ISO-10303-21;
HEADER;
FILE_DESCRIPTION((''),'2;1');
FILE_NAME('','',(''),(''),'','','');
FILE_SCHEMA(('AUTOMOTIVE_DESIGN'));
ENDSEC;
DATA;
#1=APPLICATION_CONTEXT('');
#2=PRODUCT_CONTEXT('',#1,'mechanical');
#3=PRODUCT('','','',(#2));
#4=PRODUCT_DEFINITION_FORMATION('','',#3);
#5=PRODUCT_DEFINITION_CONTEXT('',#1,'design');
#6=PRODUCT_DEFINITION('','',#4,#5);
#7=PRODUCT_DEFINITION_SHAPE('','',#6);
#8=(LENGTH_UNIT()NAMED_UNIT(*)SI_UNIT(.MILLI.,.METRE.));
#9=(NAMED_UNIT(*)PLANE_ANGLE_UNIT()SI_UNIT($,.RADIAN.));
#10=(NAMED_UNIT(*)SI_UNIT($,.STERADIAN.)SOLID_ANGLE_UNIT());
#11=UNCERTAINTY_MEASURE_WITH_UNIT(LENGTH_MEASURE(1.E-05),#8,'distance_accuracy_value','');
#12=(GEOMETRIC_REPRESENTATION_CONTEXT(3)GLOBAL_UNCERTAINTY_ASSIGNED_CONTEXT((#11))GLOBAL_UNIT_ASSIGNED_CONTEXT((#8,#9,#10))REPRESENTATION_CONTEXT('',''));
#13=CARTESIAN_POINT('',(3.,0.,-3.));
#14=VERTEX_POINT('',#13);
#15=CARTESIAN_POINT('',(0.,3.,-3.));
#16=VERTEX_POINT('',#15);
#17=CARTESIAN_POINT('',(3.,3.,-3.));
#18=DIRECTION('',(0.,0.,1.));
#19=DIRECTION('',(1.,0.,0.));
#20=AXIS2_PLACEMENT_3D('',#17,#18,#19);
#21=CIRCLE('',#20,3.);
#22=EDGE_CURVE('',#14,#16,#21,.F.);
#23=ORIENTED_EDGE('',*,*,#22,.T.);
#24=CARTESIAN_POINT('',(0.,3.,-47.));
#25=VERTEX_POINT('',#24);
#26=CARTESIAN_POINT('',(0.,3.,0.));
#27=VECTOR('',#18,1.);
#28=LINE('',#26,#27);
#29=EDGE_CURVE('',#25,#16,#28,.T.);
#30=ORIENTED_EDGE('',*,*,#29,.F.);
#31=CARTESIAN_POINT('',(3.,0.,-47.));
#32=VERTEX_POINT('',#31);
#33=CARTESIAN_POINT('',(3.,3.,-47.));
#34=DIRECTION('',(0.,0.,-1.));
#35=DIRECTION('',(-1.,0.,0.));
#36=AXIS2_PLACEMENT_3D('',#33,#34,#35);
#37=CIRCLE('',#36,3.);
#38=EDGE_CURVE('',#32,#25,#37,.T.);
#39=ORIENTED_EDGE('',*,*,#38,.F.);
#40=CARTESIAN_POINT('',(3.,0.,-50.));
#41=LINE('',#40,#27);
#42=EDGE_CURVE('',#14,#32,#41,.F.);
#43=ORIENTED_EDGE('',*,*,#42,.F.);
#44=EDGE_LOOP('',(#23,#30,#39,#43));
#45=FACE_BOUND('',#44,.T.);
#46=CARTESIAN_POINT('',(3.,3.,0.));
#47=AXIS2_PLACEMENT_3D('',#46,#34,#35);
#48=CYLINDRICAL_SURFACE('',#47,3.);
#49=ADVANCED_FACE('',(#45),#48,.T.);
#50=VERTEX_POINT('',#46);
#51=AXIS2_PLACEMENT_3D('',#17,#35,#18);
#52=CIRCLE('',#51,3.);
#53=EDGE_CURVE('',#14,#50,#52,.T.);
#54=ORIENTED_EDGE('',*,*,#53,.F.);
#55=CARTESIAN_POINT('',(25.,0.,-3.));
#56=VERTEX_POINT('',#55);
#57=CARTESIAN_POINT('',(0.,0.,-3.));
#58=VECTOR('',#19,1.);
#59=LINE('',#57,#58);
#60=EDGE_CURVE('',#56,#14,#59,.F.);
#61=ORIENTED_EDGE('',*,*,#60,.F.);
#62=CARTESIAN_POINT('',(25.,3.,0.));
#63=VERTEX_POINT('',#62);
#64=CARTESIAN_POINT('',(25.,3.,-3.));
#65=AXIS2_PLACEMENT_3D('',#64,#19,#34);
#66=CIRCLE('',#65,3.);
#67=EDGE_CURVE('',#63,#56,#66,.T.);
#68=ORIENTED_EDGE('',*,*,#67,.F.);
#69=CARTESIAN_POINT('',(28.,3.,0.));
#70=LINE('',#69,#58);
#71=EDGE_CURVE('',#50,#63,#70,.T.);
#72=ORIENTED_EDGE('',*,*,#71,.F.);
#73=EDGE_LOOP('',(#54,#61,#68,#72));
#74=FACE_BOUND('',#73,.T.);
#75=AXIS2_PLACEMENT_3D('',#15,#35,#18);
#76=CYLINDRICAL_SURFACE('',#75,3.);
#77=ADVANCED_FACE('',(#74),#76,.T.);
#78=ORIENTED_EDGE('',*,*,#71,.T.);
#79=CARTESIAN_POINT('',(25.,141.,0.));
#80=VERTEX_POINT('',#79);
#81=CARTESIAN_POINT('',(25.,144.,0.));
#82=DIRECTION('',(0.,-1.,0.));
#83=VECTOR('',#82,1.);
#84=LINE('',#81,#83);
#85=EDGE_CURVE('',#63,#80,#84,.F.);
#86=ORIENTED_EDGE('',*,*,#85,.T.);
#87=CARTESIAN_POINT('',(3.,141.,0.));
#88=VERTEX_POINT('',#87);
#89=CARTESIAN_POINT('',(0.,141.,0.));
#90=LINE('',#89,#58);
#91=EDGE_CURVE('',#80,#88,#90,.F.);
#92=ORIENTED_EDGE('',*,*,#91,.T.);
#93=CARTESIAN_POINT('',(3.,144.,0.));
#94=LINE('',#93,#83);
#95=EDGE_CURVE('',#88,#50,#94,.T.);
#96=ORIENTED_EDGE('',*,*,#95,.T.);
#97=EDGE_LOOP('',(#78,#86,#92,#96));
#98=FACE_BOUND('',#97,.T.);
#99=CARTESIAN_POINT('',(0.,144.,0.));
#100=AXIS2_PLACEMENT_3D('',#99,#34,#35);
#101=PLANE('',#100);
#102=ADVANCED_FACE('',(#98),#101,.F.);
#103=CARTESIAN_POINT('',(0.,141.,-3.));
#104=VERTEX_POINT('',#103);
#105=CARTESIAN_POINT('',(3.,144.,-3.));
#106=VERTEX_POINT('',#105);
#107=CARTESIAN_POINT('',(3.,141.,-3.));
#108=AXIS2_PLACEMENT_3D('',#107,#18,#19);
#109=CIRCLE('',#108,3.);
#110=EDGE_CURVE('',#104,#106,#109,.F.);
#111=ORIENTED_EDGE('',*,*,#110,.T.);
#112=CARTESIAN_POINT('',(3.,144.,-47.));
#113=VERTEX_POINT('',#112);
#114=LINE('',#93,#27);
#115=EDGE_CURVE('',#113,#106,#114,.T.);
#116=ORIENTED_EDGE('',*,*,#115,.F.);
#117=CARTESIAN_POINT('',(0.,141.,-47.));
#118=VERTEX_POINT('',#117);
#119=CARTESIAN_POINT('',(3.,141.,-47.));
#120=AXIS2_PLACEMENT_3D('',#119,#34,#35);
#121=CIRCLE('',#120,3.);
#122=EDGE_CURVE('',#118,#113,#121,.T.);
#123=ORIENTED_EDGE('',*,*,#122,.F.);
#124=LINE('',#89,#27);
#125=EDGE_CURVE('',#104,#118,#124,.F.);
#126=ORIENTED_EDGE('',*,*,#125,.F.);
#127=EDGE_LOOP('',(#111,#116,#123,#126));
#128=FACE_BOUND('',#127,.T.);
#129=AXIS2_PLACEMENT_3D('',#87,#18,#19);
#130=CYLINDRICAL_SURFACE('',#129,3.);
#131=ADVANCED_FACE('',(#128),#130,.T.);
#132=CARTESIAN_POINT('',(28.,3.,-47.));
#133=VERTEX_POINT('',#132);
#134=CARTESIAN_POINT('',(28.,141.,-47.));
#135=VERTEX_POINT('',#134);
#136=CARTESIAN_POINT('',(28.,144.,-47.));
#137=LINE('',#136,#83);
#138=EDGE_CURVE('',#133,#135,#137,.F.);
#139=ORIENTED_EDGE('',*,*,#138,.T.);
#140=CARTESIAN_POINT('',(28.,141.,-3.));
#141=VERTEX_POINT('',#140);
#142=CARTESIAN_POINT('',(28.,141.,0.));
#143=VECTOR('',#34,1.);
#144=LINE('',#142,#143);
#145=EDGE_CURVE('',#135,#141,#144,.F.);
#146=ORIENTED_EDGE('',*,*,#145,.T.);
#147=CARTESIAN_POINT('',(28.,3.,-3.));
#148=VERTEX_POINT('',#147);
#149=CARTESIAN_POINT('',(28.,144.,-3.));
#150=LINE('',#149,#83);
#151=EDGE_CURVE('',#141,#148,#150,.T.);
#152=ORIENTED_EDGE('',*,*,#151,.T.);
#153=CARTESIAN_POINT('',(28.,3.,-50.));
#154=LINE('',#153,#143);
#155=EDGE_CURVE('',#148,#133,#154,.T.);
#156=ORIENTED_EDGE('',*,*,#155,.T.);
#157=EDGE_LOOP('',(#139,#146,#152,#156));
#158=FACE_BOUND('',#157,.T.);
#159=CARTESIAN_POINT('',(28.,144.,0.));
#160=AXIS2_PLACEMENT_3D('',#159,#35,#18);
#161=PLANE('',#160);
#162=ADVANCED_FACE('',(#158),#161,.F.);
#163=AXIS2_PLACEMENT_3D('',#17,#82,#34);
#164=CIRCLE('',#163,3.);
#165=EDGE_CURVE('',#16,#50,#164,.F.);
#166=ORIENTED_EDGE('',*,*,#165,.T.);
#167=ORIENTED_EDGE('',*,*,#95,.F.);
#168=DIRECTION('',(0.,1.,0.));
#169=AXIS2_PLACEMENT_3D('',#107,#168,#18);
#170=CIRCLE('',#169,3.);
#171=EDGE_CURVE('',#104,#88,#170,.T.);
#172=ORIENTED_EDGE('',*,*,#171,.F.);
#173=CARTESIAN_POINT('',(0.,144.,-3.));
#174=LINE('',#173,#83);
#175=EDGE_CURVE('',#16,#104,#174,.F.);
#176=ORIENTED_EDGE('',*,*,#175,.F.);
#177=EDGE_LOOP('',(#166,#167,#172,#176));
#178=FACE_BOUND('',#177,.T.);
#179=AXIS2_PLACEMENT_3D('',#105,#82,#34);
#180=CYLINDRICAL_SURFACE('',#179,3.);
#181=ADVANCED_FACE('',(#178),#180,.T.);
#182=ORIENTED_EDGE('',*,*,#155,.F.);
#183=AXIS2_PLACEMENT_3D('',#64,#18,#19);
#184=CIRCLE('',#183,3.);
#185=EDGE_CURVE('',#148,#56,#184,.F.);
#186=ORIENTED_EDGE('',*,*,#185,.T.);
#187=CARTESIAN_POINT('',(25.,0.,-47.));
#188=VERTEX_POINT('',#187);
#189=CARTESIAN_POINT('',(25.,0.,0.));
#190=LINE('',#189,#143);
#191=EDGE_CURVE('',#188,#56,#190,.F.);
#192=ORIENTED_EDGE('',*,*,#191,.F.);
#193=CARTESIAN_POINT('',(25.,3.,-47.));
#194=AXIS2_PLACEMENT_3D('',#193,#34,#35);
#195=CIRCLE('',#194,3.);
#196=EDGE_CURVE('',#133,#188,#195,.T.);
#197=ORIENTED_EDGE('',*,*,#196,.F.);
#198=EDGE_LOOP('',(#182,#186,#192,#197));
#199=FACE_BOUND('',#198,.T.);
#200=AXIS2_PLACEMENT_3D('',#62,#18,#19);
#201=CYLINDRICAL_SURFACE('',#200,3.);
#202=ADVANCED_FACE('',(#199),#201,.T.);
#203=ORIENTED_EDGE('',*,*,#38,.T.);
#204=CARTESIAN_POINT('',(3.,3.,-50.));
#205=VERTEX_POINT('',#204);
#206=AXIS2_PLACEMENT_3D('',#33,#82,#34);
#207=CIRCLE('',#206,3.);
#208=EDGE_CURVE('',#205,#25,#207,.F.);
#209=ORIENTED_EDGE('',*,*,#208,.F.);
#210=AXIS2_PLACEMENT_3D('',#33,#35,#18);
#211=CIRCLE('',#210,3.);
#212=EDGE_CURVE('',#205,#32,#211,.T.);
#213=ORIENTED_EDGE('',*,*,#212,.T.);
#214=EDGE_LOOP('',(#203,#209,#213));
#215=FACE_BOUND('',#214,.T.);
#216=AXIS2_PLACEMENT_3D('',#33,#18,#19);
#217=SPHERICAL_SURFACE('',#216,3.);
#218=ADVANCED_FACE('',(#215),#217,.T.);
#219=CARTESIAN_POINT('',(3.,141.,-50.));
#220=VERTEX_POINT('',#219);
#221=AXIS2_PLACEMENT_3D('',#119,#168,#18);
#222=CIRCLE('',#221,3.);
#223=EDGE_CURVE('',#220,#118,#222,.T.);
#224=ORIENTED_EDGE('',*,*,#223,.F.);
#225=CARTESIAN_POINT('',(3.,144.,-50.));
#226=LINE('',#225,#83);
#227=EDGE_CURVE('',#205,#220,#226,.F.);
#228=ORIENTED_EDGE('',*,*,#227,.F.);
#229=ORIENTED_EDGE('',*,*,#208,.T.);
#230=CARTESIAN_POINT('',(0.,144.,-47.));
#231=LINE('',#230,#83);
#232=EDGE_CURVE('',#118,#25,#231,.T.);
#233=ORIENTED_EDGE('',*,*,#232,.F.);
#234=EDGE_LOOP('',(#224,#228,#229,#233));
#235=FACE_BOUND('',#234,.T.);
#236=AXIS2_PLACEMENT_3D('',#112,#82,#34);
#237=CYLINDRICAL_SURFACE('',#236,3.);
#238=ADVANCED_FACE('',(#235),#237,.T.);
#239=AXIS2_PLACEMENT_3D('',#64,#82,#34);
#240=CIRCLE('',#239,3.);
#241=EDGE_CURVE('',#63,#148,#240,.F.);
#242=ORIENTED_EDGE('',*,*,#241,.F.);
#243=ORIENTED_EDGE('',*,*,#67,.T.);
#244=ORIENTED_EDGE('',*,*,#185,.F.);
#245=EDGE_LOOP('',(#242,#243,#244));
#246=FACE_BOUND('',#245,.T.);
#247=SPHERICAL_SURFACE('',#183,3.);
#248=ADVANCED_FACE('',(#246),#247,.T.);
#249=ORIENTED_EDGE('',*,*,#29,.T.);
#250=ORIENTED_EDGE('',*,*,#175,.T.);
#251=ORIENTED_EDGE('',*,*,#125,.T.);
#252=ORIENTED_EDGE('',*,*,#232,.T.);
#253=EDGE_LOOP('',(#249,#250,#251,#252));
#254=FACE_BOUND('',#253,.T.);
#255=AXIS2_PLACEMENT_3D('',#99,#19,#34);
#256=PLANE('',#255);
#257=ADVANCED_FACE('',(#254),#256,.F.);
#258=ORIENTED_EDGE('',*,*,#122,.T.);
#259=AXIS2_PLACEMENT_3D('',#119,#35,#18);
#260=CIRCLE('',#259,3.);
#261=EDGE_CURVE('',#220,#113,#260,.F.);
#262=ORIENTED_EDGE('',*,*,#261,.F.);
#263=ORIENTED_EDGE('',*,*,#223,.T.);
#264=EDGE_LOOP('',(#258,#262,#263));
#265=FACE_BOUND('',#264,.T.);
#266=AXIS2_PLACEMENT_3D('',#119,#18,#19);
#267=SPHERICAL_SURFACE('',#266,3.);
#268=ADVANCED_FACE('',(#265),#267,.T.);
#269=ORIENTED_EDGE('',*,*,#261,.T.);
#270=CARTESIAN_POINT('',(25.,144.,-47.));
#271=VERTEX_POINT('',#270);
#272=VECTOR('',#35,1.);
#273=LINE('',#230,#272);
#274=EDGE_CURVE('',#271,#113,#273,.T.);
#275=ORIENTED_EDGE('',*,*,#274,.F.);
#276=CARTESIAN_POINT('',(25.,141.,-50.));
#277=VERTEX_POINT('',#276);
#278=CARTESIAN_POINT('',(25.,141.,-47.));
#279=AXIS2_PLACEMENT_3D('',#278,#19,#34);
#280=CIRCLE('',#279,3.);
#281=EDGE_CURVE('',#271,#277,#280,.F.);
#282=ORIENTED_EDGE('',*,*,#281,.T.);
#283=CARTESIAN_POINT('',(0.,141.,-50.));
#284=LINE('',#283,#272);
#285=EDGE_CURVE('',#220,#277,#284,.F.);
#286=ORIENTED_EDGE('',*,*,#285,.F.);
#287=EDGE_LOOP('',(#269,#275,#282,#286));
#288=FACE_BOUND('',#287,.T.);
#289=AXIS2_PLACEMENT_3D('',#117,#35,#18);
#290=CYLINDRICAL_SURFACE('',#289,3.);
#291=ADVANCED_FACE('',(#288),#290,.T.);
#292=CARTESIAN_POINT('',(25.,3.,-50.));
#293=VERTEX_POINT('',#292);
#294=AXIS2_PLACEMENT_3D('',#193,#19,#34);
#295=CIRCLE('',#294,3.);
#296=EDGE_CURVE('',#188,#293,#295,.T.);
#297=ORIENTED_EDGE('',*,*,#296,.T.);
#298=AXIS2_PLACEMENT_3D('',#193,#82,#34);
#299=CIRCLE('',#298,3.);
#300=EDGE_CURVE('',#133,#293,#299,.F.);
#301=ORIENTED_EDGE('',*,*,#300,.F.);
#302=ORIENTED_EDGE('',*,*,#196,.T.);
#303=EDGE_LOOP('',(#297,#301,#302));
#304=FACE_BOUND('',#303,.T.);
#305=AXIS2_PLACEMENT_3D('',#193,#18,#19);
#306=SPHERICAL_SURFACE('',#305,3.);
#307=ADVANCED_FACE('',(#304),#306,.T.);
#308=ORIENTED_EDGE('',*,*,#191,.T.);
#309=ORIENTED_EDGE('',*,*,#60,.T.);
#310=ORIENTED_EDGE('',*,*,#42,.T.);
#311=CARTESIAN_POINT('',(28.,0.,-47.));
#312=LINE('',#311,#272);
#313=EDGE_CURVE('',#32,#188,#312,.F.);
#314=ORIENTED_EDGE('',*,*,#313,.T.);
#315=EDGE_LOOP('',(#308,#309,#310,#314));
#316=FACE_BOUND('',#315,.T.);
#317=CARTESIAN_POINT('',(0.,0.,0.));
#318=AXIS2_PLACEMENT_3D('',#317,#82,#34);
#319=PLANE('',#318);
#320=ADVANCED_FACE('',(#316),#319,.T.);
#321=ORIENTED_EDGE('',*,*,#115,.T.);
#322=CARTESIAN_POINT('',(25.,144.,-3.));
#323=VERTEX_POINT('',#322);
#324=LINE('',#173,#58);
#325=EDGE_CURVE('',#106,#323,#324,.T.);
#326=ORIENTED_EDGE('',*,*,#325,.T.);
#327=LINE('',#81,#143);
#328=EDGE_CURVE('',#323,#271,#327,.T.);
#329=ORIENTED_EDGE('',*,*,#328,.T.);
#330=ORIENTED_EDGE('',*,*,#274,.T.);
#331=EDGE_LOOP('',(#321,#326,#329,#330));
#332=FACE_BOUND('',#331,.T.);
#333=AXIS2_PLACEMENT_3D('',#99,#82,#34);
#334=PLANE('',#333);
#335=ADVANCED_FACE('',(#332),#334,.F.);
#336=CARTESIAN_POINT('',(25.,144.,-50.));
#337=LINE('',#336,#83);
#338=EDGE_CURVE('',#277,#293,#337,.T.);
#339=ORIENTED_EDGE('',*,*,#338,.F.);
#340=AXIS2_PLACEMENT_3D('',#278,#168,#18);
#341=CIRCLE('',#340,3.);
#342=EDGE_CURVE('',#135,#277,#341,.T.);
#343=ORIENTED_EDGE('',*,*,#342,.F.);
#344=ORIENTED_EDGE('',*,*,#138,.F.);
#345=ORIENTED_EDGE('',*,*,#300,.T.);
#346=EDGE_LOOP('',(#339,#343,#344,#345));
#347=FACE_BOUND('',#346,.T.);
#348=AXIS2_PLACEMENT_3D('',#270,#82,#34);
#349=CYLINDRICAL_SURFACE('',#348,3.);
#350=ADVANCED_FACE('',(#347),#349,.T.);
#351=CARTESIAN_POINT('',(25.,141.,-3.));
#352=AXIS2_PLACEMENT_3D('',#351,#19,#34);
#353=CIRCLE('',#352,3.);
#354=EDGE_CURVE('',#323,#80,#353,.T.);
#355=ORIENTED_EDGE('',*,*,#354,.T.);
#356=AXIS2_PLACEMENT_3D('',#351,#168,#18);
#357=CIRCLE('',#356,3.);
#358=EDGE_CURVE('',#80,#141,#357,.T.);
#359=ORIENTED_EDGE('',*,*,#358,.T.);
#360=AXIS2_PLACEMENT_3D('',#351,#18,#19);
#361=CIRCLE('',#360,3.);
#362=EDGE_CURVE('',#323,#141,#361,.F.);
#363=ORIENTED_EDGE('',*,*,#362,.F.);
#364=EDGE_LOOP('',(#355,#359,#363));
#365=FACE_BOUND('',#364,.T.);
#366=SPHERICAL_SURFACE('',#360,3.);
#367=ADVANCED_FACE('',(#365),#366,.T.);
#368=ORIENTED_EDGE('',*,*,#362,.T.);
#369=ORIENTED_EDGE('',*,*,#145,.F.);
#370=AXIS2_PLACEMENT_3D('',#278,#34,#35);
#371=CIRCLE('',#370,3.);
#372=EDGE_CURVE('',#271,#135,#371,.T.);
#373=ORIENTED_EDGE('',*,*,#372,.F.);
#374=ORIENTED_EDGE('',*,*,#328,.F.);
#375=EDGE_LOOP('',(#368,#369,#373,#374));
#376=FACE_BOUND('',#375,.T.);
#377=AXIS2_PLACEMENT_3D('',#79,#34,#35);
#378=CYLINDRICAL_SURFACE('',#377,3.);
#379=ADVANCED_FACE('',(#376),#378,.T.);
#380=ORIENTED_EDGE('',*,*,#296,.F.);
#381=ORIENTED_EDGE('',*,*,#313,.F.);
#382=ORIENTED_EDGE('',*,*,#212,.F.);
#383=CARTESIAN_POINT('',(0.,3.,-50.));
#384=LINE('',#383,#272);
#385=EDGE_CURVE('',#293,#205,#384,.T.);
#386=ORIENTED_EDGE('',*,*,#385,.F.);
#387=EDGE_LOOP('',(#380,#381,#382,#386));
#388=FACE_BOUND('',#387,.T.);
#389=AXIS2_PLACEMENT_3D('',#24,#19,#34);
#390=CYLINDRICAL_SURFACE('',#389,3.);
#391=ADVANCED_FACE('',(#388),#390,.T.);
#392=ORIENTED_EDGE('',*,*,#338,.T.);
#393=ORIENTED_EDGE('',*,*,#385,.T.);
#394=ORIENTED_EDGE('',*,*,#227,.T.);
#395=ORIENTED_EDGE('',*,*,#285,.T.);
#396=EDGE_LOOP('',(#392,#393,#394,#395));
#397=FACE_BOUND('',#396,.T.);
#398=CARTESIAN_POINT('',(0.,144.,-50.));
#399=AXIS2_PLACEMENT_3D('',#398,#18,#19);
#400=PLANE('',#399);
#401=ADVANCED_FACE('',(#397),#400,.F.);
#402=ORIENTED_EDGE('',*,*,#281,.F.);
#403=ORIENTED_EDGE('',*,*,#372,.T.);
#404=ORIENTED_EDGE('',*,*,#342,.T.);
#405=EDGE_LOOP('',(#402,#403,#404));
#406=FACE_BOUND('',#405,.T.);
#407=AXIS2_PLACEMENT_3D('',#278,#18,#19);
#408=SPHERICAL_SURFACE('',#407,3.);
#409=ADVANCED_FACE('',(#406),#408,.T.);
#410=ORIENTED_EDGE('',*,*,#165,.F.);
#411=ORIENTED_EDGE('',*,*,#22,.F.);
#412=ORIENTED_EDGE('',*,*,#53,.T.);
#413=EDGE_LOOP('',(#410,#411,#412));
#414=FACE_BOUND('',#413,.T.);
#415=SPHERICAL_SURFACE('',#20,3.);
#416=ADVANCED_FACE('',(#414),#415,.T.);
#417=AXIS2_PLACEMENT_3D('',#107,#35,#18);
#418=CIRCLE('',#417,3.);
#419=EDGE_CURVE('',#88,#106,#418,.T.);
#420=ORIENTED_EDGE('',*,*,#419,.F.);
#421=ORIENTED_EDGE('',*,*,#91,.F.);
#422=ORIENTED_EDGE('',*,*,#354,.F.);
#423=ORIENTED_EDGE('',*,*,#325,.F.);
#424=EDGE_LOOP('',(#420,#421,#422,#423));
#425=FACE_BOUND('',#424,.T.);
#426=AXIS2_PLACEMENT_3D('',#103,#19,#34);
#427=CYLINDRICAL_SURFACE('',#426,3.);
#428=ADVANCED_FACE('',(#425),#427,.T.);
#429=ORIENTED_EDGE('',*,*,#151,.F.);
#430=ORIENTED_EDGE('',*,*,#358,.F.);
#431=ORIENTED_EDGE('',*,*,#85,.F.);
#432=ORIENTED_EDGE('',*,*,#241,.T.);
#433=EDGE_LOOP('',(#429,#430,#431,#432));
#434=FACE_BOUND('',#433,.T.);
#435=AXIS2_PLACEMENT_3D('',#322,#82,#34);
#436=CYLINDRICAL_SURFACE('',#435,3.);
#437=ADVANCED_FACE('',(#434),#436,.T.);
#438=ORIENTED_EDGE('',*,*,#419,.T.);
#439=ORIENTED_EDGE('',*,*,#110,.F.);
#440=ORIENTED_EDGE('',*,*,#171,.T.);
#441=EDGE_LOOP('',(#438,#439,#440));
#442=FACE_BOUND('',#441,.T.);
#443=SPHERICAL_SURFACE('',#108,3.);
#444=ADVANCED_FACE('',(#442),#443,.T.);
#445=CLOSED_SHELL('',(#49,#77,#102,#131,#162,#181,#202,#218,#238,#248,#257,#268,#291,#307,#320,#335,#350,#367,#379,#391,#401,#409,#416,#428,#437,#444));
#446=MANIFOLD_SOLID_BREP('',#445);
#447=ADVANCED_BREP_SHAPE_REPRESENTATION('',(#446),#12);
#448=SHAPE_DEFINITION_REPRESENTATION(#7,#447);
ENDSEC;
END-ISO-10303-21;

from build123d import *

# Parameters (mm, degrees)
SKETCH1_W           = 28
SKETCH1_H           = 50
BOSS_EXTRUDE1_DEPTH = 144
FILLET1_R           = 3


with BuildPart() as part:
    # Sketch1 → Boss-Extrude1 (new body)
    with BuildSketch(Plane(origin=(0, 0, 0), x_dir=(1, 0, 0), z_dir=(0, 1, 0))):
        with Locations((14, 25)):
            Rectangle(SKETCH1_W, SKETCH1_H)
    extrude(amount=BOSS_EXTRUDE1_DEPTH)

    # Fillet1
    fillet1_edges = [part.edges().sort_by_distance(p)[0] for p in [
        (28, 144, -25),
        (14, 144, -50),
        (0, 144, -25),
        (14, 0, -50),
        (28, 0, -25),
        (14, 0, 0),
        (0, 0, -25),
        (14, 144, 0),
        (0, 72, -50),
        (28, 72, -50),
        (28, 72, 0),
        (0, 72, 0),
    ]]
    fillet(fillet1_edges, radius=FILLET1_R)


solid = part.part
